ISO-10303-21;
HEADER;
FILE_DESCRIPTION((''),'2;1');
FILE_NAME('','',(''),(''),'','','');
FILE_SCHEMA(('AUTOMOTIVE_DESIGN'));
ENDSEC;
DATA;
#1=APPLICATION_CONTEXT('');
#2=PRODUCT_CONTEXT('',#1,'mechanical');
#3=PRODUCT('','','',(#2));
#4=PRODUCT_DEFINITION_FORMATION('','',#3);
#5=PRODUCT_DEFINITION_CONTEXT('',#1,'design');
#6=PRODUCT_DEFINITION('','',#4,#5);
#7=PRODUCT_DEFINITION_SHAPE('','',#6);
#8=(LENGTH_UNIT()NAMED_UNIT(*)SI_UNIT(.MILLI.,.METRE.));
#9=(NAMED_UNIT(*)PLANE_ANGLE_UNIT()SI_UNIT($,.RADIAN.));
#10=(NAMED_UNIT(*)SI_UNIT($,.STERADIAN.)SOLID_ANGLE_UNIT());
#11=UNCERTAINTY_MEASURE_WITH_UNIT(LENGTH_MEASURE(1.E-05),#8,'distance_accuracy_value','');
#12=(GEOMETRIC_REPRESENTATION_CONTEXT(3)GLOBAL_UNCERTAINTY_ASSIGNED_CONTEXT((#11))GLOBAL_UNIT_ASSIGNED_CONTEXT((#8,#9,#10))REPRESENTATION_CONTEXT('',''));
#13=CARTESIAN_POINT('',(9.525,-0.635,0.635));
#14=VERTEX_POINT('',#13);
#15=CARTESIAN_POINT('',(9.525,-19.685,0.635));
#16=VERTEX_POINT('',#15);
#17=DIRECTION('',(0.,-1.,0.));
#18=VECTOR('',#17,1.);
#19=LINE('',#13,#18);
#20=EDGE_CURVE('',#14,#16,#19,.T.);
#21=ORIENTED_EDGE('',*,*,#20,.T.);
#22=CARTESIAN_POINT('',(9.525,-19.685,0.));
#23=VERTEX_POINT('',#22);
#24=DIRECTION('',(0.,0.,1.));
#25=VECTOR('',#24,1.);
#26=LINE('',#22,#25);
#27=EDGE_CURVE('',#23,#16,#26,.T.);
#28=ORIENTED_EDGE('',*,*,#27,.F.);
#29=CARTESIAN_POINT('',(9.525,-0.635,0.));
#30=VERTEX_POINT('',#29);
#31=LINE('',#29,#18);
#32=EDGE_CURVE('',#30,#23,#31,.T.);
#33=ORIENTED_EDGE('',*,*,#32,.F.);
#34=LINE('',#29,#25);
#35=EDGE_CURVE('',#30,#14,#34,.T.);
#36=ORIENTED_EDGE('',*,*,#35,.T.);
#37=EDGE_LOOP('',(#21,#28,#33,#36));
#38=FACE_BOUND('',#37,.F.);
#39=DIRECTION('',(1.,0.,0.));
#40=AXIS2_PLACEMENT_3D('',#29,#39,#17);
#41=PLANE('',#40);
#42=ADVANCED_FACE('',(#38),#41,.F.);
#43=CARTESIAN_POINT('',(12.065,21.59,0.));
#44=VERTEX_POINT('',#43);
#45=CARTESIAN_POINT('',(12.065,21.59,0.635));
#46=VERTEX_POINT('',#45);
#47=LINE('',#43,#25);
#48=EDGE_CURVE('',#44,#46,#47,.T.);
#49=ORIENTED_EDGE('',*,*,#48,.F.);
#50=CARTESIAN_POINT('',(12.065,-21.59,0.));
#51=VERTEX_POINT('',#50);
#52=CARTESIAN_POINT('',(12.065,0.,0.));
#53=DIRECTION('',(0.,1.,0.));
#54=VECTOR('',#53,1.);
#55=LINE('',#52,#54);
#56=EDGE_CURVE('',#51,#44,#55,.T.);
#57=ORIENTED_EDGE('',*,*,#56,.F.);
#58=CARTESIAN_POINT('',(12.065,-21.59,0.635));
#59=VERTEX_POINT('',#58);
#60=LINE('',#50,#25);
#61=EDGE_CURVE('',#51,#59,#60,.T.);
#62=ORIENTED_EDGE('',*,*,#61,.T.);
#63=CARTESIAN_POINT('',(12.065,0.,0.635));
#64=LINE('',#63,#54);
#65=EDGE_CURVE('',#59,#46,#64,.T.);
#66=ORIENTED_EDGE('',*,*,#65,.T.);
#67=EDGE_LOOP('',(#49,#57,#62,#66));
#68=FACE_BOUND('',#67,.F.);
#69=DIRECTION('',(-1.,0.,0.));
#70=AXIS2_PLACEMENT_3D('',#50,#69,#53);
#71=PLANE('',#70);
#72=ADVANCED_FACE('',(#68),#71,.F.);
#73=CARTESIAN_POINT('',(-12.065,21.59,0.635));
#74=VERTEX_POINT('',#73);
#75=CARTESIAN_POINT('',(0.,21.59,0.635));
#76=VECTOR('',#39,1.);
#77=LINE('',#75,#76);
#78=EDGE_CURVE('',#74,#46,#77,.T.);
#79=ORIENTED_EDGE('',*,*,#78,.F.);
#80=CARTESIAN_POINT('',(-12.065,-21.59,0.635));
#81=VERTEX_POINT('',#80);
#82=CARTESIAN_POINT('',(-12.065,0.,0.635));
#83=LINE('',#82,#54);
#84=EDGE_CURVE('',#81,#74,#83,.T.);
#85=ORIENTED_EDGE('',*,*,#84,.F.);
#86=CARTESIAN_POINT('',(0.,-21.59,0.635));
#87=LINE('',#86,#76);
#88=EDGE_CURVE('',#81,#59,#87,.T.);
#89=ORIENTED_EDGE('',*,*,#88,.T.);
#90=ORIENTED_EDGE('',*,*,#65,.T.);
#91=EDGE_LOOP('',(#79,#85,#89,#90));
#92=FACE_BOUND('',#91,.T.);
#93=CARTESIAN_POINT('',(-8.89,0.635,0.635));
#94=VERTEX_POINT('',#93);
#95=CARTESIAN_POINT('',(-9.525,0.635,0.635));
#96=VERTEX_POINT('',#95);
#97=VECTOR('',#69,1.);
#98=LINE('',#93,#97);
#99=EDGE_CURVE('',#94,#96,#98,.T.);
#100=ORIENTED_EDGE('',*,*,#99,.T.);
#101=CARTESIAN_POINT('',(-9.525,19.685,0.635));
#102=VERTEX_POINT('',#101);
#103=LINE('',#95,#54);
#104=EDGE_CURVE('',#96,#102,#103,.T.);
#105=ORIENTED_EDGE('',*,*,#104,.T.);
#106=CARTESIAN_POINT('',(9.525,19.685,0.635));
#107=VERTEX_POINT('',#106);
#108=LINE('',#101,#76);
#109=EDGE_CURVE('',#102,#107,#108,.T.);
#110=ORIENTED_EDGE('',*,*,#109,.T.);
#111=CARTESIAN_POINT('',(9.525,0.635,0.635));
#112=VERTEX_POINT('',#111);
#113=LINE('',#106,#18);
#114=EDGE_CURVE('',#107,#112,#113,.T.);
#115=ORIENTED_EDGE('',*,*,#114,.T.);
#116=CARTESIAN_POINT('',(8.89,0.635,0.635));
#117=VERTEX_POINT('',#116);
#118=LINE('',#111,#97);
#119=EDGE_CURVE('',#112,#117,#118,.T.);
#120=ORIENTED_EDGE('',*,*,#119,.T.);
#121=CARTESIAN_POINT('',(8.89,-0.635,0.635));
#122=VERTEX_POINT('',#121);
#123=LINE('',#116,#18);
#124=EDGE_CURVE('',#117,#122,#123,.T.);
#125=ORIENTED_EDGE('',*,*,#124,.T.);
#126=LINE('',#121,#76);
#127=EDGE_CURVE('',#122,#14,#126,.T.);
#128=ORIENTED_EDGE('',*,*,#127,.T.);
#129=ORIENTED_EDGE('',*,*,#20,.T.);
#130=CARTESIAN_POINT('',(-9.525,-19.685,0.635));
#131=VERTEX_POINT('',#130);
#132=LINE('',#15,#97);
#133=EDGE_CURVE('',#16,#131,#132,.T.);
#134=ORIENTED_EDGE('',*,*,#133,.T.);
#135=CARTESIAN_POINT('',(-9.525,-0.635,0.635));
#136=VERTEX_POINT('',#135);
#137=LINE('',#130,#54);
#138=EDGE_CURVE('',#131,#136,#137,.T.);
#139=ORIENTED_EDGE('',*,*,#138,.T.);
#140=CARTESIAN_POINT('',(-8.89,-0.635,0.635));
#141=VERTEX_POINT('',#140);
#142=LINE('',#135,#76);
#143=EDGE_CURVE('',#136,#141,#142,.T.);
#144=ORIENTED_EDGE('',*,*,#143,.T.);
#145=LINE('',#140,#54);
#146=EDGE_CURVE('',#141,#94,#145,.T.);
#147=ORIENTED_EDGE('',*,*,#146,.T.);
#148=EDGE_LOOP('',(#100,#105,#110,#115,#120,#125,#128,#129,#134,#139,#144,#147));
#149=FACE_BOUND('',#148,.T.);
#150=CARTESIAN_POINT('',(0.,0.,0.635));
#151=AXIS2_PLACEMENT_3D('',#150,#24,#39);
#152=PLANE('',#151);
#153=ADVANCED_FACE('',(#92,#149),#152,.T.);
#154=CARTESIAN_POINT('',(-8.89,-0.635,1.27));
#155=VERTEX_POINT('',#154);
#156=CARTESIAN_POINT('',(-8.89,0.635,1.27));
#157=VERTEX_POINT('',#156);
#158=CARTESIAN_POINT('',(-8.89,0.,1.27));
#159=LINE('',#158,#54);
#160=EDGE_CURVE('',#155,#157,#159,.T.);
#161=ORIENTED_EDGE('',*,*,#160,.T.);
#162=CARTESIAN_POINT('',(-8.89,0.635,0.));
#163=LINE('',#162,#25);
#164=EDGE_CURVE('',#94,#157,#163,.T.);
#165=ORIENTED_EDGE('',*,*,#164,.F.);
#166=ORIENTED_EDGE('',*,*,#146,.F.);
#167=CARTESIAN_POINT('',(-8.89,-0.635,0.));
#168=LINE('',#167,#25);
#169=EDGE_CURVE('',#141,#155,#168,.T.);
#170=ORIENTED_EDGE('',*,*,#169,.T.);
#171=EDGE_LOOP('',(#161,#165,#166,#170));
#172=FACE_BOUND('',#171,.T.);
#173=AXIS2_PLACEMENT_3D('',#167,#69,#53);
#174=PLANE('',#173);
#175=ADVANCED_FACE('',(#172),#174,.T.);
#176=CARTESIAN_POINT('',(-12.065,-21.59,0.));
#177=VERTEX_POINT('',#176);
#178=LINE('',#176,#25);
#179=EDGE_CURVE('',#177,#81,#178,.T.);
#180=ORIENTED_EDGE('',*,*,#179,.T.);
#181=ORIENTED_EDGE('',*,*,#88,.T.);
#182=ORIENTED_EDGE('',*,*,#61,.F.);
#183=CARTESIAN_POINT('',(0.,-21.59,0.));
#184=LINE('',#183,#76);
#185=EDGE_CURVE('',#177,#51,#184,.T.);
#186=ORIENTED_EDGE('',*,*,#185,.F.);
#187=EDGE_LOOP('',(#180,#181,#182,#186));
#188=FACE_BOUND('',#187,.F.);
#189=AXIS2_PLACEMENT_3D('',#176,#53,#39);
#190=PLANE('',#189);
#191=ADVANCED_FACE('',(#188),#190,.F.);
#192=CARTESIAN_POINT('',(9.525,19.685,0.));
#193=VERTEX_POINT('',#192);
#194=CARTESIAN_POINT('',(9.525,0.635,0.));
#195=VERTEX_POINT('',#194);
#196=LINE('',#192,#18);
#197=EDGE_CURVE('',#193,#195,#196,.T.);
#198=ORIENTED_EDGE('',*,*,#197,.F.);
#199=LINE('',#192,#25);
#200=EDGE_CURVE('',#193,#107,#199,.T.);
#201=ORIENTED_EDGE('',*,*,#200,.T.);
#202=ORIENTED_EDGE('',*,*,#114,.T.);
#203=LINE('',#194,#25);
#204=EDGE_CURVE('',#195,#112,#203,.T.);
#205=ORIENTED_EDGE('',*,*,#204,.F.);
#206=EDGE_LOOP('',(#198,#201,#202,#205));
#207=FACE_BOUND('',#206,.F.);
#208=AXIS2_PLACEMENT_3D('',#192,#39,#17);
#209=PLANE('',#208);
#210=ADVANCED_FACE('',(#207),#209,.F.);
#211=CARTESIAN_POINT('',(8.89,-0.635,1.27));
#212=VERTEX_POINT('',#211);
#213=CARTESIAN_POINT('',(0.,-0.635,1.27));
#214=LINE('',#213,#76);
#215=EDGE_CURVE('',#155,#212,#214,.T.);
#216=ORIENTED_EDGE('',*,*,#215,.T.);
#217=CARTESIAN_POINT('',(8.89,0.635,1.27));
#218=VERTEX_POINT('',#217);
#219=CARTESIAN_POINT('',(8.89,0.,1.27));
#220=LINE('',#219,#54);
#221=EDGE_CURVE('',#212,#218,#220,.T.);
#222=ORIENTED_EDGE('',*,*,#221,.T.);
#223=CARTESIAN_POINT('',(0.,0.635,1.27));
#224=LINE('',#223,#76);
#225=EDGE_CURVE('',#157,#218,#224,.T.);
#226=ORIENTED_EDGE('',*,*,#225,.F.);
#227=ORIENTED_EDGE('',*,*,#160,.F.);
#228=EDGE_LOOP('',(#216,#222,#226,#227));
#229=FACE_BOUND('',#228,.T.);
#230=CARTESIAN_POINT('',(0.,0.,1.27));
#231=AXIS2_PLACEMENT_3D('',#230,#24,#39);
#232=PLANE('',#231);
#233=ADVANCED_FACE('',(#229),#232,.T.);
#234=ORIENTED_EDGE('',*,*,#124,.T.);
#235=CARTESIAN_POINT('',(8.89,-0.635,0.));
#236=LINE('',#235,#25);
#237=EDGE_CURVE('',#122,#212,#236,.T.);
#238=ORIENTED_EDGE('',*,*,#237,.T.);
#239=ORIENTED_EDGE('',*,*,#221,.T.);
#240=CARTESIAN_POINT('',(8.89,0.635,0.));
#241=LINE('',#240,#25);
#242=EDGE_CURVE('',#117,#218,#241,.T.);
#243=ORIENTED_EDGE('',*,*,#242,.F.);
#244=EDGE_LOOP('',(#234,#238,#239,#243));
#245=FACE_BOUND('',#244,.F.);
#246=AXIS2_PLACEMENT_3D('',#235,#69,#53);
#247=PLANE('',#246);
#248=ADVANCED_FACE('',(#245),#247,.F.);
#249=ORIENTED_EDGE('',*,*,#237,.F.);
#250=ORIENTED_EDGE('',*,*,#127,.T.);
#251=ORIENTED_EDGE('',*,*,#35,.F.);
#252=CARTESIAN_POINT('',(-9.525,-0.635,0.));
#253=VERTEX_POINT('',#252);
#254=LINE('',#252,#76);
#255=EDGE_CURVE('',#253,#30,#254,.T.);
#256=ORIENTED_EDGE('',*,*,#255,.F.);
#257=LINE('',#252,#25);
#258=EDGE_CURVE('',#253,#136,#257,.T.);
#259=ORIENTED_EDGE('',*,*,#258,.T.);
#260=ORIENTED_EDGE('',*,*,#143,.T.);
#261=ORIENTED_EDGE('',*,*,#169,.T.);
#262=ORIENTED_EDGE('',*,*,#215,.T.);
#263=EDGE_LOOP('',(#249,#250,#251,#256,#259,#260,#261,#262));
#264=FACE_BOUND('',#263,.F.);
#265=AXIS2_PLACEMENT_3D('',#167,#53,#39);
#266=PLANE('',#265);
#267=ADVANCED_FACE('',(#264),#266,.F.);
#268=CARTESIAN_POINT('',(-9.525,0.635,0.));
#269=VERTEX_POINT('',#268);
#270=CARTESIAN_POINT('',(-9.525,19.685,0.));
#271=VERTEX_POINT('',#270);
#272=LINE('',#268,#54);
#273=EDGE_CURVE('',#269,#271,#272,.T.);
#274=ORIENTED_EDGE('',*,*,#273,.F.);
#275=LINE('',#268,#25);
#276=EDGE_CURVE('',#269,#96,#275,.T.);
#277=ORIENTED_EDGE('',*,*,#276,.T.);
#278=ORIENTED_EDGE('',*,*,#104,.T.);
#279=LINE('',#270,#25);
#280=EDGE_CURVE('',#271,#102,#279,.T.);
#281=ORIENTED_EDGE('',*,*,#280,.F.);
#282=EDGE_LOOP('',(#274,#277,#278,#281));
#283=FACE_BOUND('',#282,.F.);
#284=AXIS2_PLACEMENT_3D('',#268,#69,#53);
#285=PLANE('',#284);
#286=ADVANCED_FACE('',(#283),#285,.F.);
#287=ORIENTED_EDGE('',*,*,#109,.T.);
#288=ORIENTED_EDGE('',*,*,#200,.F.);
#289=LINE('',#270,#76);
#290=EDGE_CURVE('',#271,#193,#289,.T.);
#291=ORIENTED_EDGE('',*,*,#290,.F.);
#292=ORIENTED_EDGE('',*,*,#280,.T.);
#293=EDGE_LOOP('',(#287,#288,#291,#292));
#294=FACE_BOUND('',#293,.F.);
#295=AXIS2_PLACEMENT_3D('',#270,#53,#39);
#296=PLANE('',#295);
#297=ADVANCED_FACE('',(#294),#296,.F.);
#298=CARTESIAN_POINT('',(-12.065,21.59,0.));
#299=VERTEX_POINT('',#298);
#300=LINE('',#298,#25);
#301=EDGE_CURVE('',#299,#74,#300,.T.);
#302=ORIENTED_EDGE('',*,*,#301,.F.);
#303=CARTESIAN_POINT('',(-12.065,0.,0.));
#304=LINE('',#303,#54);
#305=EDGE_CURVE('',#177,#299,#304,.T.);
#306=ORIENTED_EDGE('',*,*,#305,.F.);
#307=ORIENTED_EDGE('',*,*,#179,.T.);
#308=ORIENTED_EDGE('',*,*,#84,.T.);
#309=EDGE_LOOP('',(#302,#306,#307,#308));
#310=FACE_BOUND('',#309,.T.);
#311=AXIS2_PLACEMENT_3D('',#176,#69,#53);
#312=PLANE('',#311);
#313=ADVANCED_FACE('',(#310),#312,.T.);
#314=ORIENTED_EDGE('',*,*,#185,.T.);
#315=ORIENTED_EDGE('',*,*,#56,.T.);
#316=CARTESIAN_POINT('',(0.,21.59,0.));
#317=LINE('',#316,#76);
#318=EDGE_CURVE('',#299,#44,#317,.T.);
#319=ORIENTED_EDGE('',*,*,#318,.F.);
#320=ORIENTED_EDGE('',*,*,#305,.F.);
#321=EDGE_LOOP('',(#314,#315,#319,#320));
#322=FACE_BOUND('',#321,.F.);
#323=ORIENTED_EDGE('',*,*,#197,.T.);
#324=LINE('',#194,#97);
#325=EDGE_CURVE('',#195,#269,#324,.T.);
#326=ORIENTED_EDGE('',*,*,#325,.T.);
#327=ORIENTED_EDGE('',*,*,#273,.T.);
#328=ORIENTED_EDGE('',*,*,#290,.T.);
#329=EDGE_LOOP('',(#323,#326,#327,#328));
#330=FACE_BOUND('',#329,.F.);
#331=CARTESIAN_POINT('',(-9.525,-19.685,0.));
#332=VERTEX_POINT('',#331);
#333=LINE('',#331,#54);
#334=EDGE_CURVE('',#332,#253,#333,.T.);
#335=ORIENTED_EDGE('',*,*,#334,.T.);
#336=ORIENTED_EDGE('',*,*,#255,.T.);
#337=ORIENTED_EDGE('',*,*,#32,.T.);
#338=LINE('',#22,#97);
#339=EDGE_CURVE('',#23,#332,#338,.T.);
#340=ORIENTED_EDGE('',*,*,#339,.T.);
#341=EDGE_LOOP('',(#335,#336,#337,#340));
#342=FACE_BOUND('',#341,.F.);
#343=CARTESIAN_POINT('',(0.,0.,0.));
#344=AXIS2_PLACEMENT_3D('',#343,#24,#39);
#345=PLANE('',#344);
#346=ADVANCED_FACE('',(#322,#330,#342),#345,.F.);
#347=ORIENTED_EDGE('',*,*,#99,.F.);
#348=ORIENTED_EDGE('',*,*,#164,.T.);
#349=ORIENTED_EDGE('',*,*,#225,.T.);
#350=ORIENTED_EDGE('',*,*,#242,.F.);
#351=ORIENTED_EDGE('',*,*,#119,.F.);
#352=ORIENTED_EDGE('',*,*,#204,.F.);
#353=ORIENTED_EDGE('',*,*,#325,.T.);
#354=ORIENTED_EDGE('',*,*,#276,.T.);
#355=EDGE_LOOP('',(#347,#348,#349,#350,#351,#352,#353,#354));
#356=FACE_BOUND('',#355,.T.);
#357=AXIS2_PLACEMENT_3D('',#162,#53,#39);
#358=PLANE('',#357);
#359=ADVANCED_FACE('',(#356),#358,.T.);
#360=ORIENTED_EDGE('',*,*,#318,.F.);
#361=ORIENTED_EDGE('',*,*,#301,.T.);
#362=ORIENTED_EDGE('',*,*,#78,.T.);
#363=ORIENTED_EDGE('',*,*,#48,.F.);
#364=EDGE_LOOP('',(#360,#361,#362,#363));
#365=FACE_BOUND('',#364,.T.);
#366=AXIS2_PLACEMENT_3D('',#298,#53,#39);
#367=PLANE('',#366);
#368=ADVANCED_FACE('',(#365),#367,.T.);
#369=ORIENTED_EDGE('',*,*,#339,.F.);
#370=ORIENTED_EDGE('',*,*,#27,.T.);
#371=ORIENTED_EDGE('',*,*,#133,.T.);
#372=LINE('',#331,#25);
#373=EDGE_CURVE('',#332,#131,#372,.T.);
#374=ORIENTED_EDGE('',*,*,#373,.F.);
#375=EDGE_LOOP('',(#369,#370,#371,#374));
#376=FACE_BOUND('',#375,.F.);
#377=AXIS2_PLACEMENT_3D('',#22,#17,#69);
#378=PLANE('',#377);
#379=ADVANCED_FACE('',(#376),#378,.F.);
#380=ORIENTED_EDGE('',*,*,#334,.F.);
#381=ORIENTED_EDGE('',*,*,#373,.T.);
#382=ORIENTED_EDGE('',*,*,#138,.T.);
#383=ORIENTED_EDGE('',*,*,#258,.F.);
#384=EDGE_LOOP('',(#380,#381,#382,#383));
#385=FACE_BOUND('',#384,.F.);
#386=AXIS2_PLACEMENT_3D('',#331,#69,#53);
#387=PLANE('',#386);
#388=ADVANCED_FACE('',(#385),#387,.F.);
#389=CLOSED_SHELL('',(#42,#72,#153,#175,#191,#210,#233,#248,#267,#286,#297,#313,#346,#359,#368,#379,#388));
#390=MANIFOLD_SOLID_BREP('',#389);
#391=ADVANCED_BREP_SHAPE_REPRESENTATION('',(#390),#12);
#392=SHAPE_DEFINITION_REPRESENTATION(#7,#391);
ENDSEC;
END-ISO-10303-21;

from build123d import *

# Parameters (mm, degrees)
F0_W     = 24.13
F0_H     = 43.18
F1_DEPTH = 0.635
F0_W_2   = 17.78
F0_H_2   = 1.27
F2_DEPTH = 1.27


with BuildPart() as f1:
    # F0 (on Top) → F1 (new body)
    with BuildSketch(Plane.XY):
        Rectangle(F0_W, F0_H)
        Polygon((8.89, -0.635), (9.525, -0.635), (9.525, -19.685), (-9.525, -19.685), (-9.525, -0.635), (-8.89, -0.635), (-8.89, 0.635), (-9.525, 0.635), (-9.525, 19.685), (9.525, 19.685), (9.525, 0.635), (8.89, 0.635), align=None, mode=Mode.SUBTRACT)
    extrude(amount=F1_DEPTH)

    # F0 (on Top) → F2 (join)
    with BuildSketch(Plane.XY):
        Rectangle(F0_W_2, F0_H_2)
    extrude(amount=F2_DEPTH)


solid = f1.part
